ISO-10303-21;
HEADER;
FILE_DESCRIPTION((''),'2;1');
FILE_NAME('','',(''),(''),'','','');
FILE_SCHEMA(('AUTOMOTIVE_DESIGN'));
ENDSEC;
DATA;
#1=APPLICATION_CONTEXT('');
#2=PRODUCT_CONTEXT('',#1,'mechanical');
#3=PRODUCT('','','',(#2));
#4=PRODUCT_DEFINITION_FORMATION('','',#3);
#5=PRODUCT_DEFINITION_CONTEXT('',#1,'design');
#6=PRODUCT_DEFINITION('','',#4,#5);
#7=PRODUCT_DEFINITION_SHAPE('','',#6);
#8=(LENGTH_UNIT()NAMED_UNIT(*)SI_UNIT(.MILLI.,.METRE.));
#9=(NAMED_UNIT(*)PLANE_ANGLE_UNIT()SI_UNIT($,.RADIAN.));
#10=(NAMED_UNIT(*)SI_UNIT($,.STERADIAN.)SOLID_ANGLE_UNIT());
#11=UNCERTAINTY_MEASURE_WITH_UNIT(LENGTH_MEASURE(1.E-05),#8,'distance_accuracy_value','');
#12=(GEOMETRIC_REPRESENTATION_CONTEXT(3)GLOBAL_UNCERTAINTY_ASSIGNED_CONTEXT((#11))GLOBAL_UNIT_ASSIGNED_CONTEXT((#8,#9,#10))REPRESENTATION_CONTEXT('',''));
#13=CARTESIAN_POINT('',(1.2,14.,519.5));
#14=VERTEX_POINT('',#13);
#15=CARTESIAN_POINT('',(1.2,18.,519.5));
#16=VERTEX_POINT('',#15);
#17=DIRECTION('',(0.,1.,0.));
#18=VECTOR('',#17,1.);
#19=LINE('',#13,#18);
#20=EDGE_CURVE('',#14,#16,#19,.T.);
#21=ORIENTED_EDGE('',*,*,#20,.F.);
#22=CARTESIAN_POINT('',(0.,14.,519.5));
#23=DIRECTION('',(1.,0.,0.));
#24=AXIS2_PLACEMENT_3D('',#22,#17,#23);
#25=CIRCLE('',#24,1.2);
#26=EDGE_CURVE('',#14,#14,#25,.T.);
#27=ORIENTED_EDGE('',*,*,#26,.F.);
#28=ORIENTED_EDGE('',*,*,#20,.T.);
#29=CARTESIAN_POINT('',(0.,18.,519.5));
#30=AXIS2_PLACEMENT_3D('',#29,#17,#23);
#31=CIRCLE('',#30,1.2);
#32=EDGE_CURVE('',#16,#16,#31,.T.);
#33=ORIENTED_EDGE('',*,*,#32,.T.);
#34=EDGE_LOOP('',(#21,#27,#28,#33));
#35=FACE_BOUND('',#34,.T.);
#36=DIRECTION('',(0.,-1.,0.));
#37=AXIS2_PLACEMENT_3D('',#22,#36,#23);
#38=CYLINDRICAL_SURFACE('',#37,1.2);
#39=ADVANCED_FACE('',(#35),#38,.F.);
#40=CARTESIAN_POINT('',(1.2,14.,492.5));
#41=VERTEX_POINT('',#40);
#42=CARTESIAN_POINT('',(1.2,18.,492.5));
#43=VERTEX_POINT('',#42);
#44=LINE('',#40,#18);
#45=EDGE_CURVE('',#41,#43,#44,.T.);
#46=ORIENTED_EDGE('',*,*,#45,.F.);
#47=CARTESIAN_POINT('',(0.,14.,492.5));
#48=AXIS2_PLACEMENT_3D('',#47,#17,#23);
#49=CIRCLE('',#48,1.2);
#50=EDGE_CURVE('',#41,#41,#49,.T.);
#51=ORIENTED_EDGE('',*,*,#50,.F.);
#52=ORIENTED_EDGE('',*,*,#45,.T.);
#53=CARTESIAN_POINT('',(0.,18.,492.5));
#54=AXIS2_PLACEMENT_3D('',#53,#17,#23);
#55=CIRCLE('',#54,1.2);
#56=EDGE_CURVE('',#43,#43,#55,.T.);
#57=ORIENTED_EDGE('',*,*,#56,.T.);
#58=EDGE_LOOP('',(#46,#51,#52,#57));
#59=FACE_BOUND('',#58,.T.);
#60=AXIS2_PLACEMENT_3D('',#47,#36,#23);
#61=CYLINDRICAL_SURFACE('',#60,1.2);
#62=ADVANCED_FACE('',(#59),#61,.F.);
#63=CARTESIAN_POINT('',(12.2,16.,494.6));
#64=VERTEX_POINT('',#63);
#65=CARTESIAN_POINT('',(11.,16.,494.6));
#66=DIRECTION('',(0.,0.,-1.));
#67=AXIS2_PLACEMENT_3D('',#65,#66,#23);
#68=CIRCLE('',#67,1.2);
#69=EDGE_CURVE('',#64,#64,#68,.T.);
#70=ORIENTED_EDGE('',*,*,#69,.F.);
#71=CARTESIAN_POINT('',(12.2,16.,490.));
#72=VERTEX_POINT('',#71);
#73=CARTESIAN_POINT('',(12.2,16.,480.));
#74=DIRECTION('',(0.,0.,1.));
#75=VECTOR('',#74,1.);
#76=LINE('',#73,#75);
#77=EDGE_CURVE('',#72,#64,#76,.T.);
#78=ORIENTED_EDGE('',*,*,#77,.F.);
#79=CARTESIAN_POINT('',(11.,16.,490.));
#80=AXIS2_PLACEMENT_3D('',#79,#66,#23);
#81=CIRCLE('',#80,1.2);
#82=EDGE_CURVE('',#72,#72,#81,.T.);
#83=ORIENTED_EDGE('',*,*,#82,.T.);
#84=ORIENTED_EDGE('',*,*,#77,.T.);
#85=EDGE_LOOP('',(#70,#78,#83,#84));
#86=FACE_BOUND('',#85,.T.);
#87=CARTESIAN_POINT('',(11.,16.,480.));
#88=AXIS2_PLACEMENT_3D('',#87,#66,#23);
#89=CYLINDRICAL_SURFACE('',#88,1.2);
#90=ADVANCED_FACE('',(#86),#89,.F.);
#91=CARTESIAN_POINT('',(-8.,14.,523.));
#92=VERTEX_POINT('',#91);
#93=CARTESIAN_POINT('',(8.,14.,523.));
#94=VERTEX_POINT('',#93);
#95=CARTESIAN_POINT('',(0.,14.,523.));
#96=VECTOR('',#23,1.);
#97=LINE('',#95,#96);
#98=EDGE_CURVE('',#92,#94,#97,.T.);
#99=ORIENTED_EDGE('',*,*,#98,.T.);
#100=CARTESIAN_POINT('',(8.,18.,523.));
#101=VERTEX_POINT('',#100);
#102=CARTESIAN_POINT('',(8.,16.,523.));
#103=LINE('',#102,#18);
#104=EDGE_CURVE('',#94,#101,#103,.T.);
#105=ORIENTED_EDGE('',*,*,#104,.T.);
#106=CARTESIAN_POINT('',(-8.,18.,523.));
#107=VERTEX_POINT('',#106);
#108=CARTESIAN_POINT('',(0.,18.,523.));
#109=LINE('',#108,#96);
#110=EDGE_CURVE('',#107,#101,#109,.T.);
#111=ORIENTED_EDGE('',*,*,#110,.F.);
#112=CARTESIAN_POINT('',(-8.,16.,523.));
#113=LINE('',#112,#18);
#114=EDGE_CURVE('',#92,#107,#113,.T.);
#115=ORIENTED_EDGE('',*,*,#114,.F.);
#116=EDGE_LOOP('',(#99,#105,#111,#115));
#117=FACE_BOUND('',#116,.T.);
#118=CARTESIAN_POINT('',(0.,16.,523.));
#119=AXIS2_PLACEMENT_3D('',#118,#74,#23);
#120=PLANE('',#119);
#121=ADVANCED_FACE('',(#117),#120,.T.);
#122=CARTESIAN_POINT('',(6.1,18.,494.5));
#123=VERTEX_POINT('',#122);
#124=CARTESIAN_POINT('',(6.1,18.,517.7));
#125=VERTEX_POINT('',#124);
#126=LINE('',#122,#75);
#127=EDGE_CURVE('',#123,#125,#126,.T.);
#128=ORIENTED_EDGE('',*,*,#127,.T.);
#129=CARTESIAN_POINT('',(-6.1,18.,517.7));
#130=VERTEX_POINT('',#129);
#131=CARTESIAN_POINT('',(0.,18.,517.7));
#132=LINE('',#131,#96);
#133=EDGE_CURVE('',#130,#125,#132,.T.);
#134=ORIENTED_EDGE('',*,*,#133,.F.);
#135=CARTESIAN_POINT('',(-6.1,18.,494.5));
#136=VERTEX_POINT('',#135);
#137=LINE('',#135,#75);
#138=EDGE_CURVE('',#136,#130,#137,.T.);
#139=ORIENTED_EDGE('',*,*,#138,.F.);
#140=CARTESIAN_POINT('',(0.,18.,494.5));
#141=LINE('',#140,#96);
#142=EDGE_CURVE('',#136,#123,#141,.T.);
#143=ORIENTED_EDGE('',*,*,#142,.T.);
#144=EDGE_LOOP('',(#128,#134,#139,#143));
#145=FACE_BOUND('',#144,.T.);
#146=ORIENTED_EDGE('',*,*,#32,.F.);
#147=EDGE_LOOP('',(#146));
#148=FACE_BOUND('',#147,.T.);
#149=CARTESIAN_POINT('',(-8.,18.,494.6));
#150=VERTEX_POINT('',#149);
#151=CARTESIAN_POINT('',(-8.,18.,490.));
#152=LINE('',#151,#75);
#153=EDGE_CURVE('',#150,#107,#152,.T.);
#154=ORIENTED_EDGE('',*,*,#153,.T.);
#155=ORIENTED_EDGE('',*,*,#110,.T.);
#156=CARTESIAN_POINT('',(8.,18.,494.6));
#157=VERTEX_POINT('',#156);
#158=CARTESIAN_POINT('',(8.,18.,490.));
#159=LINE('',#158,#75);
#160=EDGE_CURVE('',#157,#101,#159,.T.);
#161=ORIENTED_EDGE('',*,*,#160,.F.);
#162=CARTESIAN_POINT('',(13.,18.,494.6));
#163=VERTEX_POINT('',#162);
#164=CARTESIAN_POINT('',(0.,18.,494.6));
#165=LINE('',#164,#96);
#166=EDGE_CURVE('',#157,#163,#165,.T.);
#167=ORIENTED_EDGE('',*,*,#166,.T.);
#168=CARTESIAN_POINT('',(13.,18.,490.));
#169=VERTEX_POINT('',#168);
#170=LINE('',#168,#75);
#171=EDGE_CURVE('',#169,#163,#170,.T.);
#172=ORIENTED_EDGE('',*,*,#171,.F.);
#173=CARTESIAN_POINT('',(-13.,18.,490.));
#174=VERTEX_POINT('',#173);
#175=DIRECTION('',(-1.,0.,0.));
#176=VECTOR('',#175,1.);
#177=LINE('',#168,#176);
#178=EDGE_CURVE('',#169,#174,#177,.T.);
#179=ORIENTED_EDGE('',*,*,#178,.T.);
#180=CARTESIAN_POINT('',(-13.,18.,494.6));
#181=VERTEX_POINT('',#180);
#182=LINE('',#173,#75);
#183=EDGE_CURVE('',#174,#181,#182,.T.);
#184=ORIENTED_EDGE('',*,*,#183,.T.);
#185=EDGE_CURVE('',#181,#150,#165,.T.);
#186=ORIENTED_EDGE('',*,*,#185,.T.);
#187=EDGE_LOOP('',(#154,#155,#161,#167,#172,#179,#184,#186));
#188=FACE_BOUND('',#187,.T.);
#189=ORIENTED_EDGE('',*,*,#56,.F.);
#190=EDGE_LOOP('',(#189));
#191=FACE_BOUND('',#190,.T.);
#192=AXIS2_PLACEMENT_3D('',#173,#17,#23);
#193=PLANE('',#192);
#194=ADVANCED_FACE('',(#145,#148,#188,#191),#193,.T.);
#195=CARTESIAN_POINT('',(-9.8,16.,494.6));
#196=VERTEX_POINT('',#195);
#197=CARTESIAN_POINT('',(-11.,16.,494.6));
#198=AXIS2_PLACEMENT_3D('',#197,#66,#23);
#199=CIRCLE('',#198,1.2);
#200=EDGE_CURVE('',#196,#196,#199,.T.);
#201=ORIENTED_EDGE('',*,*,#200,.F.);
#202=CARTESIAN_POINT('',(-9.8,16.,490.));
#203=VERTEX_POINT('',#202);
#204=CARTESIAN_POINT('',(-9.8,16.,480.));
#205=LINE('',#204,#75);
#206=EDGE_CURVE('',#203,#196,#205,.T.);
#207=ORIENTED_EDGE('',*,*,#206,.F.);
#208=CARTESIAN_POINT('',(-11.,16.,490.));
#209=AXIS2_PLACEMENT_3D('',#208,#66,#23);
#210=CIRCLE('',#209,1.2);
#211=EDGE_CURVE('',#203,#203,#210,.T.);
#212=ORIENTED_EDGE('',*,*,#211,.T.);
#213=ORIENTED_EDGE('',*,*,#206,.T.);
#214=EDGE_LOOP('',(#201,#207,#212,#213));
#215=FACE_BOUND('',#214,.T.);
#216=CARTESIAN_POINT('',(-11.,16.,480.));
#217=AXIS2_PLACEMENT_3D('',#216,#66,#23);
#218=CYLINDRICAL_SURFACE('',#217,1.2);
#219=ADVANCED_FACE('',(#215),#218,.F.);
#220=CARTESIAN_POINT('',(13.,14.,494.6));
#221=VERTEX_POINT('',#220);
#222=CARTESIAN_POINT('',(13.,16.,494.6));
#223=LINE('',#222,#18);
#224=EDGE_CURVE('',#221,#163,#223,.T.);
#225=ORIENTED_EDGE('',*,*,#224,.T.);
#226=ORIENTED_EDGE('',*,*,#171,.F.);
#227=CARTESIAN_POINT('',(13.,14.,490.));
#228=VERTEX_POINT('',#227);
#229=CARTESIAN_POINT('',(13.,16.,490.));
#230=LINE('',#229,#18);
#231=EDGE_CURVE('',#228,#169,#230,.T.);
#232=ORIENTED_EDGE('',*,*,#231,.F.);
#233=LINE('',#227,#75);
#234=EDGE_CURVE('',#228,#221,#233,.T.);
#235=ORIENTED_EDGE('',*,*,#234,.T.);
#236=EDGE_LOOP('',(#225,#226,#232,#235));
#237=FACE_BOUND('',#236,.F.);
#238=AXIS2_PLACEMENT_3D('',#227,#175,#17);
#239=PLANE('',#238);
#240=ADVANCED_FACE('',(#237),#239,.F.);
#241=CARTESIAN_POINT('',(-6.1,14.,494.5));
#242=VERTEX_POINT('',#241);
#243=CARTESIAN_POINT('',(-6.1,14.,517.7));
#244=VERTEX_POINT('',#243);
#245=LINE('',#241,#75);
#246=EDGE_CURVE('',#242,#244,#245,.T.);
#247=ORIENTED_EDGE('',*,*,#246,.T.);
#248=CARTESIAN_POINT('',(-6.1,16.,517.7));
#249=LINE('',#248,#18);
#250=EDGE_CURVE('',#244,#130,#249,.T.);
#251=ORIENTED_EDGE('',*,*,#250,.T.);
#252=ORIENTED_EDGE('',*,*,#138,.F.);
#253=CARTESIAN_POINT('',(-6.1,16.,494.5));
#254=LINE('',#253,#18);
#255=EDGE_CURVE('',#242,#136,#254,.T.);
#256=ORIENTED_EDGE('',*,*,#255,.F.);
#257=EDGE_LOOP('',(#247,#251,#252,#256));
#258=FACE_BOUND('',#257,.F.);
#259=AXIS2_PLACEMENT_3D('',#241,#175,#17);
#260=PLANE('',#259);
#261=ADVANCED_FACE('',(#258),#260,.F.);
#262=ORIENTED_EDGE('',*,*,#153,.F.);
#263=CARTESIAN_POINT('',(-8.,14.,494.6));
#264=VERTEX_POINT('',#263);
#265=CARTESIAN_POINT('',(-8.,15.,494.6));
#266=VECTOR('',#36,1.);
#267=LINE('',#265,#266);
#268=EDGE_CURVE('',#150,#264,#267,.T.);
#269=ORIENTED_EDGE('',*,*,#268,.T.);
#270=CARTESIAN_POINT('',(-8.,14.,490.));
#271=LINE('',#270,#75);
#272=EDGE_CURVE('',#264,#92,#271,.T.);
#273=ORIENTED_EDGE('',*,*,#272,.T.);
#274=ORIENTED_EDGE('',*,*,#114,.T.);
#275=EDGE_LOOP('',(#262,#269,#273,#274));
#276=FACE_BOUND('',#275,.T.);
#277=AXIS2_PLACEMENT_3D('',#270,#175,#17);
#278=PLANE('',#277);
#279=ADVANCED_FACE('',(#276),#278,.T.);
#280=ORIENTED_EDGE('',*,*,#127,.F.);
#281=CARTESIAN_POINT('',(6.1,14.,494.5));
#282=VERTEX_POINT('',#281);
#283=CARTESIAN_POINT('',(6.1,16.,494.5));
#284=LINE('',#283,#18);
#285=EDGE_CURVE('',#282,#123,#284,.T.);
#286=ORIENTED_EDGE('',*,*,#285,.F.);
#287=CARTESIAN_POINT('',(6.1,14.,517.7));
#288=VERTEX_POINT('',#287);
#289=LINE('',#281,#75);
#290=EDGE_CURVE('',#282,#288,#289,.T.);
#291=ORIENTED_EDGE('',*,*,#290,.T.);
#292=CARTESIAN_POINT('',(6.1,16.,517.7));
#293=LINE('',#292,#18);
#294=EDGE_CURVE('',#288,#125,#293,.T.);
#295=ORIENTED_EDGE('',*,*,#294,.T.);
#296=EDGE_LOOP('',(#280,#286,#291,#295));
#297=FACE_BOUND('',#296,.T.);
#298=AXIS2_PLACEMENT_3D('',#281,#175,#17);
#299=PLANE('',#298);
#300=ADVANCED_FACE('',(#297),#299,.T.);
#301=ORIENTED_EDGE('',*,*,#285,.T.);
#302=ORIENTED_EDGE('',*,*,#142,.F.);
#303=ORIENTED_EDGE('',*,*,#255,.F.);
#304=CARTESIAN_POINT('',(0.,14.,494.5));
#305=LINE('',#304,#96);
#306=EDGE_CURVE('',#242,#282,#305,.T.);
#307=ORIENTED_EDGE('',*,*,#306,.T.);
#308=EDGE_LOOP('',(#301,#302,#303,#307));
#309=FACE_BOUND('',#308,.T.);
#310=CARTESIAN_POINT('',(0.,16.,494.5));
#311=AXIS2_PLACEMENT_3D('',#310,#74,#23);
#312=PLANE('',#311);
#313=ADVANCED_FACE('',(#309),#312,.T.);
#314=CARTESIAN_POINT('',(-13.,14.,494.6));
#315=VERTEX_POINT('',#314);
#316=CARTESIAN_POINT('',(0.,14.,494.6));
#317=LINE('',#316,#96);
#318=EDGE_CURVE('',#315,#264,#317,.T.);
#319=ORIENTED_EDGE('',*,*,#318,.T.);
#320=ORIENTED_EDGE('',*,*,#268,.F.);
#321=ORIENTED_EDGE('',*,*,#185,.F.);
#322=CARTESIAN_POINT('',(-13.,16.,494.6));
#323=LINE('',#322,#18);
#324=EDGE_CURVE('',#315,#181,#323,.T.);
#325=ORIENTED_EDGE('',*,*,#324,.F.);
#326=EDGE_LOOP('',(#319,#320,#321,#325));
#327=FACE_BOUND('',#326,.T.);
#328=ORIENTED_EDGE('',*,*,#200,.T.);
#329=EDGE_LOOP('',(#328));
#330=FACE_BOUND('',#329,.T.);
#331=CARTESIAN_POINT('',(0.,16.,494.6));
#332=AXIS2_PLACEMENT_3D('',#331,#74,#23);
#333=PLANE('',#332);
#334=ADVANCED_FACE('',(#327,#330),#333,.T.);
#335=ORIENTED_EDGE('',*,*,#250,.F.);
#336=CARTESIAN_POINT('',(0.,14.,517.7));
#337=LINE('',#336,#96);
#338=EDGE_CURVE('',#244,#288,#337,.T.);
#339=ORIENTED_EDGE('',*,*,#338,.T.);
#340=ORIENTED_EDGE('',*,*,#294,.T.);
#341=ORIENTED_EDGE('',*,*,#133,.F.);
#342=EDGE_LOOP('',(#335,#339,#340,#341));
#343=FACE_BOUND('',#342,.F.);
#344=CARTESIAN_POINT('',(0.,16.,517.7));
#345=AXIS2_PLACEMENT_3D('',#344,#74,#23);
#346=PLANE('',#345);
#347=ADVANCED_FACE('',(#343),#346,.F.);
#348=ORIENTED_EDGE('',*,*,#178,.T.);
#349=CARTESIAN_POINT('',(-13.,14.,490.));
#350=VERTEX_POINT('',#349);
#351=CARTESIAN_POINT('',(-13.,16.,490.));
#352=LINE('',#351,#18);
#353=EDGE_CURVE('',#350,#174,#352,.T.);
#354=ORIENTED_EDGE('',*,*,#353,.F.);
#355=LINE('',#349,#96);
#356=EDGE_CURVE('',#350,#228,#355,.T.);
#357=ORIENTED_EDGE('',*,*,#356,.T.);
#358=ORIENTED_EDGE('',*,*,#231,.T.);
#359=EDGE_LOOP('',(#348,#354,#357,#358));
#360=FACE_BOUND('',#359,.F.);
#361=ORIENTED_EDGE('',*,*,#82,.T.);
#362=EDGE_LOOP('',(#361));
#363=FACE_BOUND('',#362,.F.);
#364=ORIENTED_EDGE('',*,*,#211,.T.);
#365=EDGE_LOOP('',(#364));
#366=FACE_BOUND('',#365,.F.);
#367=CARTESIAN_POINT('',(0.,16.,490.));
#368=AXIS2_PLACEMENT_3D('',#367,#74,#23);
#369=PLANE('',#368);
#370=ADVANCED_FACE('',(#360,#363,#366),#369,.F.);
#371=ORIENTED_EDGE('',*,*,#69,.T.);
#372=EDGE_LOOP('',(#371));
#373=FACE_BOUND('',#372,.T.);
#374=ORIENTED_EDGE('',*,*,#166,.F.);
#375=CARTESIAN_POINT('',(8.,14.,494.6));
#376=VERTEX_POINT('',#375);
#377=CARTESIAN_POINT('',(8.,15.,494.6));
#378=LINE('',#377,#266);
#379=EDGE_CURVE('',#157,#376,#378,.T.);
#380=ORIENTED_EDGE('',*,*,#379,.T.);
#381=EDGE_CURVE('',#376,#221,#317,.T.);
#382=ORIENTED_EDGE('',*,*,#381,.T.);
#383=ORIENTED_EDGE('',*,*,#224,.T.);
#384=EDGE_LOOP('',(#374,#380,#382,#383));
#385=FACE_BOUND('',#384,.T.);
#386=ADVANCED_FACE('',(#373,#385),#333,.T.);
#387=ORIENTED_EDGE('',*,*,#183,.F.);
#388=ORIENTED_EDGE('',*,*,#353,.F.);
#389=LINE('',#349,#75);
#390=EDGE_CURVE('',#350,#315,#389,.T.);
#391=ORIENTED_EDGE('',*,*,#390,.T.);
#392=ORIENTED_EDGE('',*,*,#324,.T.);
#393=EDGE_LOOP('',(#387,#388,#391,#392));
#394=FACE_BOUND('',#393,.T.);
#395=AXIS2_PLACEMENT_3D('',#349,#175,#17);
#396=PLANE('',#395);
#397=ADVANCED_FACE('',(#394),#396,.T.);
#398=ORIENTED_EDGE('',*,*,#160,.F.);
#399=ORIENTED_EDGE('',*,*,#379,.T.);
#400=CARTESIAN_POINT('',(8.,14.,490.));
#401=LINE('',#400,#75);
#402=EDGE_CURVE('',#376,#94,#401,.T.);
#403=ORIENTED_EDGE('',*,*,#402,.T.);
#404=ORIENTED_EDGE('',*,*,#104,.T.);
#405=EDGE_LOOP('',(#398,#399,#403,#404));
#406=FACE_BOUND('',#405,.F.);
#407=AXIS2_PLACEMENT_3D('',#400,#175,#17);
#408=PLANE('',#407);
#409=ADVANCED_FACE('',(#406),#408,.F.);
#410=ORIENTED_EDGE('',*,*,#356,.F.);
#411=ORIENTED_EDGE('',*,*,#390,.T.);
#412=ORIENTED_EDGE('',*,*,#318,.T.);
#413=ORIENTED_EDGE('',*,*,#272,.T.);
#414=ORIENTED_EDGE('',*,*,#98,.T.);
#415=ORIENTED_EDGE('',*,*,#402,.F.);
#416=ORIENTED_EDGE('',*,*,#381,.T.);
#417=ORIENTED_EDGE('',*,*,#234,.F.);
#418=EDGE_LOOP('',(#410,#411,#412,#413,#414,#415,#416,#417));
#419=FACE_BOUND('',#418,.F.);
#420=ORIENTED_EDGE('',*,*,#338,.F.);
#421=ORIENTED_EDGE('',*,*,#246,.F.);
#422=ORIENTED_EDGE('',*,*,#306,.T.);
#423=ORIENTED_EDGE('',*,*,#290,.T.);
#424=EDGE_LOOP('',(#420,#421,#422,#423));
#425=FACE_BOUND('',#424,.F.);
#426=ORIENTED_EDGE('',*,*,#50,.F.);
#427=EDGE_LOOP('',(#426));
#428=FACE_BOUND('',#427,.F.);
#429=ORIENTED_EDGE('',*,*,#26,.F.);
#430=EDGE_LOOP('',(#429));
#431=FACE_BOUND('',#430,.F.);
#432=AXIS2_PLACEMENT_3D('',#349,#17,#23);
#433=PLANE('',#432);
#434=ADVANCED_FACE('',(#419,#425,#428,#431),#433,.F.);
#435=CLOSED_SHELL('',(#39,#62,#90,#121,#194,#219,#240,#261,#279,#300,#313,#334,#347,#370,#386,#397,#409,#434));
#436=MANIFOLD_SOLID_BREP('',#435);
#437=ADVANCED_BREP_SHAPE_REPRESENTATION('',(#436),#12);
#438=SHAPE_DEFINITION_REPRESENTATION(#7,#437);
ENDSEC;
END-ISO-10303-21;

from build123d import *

# Parameters (mm, degrees)
BOX008_W          = 16
BOX008_H          = 4
BOX008_DEPTH      = 33
CYLINDER012_R     = 1.2
CYLINDER012_DEPTH = 20
ARRAY017_X_COUNT  = 2
ARRAY017_X_PITCH  = 22
BOX010_W          = 26
BOX010_H          = 4
BOX010_DEPTH      = 4.6
CYLINDER011_R     = 1.2
CYLINDER011_DEPTH = 4
ARRAY004_Z_COUNT  = 2
ARRAY004_Z_PITCH  = 27
BOX009_W          = 12.2
BOX009_H          = 4
BOX009_DEPTH      = 23.2


with BuildPart() as cube:
    # Box008 → Box008 (new body)
    with BuildSketch(Plane(origin=(-8, 14, 5), x_dir=(1, 0, 0), z_dir=(0, 0, 1))):
        with Locations((8, 2)):
            Rectangle(BOX008_W, BOX008_H)
    extrude(amount=BOX008_DEPTH)


with BuildPart() as connectorscrewcutters:
    # Cylinder012 → Cylinder012 (new body)
    with BuildSketch(Plane(origin=(11, 16, -5), x_dir=(1, 0, 0), z_dir=(0, 0, 1))):
        Circle(CYLINDER012_R)
    extrude(amount=CYLINDER012_DEPTH)

    # Array017 X: ConnectorScrewCutters ×2


with BuildPart() as connectorscrewcutters_1:
    add(connectorscrewcutters.part)
    with Locations(*[(-i * ARRAY017_X_PITCH, 0, 0) for i in range(1, ARRAY017_X_COUNT)]):
        add(connectorscrewcutters.part)


with BuildPart() as cut030:
    # Box010 → Box010 (new body)
    with BuildSketch(Plane(origin=(-13, 14, 5), x_dir=(1, 0, 0), z_dir=(0, 0, 1))):
        with Locations((13, 2)):
            Rectangle(BOX010_W, BOX010_H)
    extrude(amount=BOX010_DEPTH)

    # Cut028: cut ConnectorScrewCutters
    add(connectorscrewcutters_1.part, mode=Mode.SUBTRACT)

    # Cut030: cut Cube
    add(cube.part, mode=Mode.SUBTRACT)


with BuildPart() as screwcutters:
    # Cylinder011 → Cylinder011 (new body)
    with BuildSketch(Plane(origin=(0, 14, 7.5), x_dir=(1, 0, 0), z_dir=(0, 1, 0))):
        Circle(CYLINDER011_R)
    extrude(amount=CYLINDER011_DEPTH)

    # Array004 Z: ScrewCutters ×2


with BuildPart() as screwcutters_1:
    add(screwcutters.part)
    with Locations(*[(0, 0, i * ARRAY004_Z_PITCH) for i in range(1, ARRAY004_Z_COUNT)]):
        add(screwcutters.part)


with BuildPart() as cube001:
    # Box009 → Box009 (new body)
    with BuildSketch(Plane(origin=(-6.1, 14, 9.5), x_dir=(1, 0, 0), z_dir=(0, 0, 1))):
        with Locations((6.1, 2)):
            Rectangle(BOX009_W, BOX009_H)
    extrude(amount=BOX009_DEPTH)


with BuildPart() as cameraconnector:
    # Cut026 base: copy of Cube
    add(cube.part)

    # Cut026: cut Cube001
    add(cube001.part, mode=Mode.SUBTRACT)

    # Cut027: cut ScrewCutters
    add(screwcutters_1.part, mode=Mode.SUBTRACT)

    # Fusion003: union Cut030
    add(cut030.part)


with BuildPart() as cameraconnector_1:
    # Fusion003 placement: moved
    add(cameraconnector.part.moved(Location((0, 0, 485))))


solid = cameraconnector_1.part
